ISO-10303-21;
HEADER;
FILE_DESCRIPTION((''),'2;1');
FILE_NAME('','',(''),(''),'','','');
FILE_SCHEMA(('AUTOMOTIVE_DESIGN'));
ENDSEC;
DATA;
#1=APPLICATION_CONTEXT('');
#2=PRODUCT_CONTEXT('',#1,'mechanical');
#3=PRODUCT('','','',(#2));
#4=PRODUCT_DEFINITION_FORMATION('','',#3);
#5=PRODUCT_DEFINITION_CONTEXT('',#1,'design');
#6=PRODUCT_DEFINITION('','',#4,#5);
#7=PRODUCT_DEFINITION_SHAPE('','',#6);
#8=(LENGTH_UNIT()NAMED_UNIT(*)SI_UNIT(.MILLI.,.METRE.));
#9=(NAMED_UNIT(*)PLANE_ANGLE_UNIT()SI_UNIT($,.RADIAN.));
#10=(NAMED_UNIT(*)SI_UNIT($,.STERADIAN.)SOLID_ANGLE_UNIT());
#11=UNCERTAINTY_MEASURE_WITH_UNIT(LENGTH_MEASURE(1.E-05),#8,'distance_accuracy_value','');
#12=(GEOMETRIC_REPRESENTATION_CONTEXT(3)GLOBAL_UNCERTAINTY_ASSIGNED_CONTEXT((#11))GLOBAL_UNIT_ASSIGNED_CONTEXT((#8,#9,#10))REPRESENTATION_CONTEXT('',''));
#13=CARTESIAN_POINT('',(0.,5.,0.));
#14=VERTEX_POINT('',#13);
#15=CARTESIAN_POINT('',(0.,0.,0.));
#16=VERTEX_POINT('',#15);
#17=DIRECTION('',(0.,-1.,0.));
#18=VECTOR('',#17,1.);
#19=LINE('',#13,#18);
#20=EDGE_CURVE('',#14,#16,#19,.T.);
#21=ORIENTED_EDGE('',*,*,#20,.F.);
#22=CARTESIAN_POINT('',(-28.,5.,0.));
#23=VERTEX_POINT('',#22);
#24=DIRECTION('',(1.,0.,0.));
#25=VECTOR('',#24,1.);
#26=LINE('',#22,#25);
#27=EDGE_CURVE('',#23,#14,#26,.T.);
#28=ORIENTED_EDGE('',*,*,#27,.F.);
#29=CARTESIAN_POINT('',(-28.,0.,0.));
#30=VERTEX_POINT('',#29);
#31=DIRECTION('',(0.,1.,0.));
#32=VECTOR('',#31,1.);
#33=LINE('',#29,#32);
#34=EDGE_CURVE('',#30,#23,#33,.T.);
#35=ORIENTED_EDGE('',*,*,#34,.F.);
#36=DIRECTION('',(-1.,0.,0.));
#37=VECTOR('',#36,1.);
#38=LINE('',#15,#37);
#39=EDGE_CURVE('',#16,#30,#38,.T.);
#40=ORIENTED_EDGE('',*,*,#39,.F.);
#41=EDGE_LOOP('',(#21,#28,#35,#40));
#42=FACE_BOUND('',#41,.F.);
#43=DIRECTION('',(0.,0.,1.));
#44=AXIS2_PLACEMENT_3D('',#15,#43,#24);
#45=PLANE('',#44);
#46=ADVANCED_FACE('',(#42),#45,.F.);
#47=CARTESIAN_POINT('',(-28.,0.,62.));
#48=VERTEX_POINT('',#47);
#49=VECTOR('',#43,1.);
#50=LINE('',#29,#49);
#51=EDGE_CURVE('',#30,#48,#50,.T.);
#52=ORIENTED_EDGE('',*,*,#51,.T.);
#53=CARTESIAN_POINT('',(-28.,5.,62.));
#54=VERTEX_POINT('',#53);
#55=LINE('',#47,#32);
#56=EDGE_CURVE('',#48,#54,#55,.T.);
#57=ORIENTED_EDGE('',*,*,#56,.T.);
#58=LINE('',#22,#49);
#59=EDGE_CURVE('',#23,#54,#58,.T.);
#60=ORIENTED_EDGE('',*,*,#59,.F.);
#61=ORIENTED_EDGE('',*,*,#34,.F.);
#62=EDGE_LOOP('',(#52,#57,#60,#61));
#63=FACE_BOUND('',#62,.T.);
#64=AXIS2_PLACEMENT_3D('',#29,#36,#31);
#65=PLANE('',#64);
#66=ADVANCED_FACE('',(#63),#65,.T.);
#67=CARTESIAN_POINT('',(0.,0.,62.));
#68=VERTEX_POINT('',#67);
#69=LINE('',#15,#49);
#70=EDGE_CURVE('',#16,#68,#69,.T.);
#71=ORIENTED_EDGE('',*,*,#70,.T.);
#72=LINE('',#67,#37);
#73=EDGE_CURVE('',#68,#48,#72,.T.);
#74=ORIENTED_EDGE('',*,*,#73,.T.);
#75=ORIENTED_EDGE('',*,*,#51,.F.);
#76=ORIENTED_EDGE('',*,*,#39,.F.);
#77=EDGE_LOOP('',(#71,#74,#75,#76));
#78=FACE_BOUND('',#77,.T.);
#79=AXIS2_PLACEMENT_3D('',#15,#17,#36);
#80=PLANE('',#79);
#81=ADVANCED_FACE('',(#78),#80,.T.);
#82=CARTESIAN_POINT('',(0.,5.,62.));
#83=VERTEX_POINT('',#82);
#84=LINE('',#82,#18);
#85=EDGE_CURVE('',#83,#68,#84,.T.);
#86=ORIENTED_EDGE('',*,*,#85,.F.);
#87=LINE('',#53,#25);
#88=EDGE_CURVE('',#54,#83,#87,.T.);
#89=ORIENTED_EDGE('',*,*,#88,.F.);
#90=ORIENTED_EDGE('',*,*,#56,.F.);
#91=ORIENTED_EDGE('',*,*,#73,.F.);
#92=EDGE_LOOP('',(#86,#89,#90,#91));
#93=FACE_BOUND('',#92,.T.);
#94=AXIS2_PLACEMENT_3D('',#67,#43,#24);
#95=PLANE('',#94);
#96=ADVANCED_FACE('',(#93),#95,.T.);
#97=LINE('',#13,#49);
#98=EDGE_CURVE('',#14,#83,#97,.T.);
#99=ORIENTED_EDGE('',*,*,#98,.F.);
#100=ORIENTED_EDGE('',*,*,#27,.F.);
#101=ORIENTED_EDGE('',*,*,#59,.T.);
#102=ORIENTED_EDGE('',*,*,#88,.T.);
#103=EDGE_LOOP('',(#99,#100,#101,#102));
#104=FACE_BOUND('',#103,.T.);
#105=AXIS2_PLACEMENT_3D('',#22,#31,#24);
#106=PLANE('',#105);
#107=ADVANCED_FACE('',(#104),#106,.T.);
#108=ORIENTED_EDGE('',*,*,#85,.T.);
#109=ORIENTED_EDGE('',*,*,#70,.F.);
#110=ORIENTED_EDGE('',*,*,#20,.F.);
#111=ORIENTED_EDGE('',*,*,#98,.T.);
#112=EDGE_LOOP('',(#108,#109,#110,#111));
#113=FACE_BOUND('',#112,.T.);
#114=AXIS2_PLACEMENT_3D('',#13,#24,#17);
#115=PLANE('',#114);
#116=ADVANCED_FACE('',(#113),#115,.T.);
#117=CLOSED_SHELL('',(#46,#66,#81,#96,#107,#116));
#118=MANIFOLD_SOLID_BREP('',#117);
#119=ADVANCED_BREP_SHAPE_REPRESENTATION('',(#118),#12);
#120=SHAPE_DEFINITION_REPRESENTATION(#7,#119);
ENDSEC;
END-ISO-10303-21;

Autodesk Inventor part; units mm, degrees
ref_plane "YZ Plane" through (0, 0, 0) normal (1, 0, 0) x (0, 1, 0)
ref_plane "XZ Plane" through (0, 0, 0) normal (0, 1, 0) x (-1, 0, 0)
ref_plane "XY Plane" through (0, 0, 0) normal (0, 0, 1) x (1, 0, 0)
sketch "Sketch1" plane through (0, 0, 0) normal (0, 0, 1) x (1, 0, 0)
  line L0 (0, 0) -> (-28, 0)
  line L1 (-28, 0) -> (-28, 5)
  line L2 (-28, 5) -> (0, 5)
  line L3 (0, 5) -> (0, 0)
  dimension "d0" = 5
  dimension "d1" = 28
extrude "Extrusion1" add sketch "Sketch1" along normal blind 62
properties part number "support_rp_roof"
